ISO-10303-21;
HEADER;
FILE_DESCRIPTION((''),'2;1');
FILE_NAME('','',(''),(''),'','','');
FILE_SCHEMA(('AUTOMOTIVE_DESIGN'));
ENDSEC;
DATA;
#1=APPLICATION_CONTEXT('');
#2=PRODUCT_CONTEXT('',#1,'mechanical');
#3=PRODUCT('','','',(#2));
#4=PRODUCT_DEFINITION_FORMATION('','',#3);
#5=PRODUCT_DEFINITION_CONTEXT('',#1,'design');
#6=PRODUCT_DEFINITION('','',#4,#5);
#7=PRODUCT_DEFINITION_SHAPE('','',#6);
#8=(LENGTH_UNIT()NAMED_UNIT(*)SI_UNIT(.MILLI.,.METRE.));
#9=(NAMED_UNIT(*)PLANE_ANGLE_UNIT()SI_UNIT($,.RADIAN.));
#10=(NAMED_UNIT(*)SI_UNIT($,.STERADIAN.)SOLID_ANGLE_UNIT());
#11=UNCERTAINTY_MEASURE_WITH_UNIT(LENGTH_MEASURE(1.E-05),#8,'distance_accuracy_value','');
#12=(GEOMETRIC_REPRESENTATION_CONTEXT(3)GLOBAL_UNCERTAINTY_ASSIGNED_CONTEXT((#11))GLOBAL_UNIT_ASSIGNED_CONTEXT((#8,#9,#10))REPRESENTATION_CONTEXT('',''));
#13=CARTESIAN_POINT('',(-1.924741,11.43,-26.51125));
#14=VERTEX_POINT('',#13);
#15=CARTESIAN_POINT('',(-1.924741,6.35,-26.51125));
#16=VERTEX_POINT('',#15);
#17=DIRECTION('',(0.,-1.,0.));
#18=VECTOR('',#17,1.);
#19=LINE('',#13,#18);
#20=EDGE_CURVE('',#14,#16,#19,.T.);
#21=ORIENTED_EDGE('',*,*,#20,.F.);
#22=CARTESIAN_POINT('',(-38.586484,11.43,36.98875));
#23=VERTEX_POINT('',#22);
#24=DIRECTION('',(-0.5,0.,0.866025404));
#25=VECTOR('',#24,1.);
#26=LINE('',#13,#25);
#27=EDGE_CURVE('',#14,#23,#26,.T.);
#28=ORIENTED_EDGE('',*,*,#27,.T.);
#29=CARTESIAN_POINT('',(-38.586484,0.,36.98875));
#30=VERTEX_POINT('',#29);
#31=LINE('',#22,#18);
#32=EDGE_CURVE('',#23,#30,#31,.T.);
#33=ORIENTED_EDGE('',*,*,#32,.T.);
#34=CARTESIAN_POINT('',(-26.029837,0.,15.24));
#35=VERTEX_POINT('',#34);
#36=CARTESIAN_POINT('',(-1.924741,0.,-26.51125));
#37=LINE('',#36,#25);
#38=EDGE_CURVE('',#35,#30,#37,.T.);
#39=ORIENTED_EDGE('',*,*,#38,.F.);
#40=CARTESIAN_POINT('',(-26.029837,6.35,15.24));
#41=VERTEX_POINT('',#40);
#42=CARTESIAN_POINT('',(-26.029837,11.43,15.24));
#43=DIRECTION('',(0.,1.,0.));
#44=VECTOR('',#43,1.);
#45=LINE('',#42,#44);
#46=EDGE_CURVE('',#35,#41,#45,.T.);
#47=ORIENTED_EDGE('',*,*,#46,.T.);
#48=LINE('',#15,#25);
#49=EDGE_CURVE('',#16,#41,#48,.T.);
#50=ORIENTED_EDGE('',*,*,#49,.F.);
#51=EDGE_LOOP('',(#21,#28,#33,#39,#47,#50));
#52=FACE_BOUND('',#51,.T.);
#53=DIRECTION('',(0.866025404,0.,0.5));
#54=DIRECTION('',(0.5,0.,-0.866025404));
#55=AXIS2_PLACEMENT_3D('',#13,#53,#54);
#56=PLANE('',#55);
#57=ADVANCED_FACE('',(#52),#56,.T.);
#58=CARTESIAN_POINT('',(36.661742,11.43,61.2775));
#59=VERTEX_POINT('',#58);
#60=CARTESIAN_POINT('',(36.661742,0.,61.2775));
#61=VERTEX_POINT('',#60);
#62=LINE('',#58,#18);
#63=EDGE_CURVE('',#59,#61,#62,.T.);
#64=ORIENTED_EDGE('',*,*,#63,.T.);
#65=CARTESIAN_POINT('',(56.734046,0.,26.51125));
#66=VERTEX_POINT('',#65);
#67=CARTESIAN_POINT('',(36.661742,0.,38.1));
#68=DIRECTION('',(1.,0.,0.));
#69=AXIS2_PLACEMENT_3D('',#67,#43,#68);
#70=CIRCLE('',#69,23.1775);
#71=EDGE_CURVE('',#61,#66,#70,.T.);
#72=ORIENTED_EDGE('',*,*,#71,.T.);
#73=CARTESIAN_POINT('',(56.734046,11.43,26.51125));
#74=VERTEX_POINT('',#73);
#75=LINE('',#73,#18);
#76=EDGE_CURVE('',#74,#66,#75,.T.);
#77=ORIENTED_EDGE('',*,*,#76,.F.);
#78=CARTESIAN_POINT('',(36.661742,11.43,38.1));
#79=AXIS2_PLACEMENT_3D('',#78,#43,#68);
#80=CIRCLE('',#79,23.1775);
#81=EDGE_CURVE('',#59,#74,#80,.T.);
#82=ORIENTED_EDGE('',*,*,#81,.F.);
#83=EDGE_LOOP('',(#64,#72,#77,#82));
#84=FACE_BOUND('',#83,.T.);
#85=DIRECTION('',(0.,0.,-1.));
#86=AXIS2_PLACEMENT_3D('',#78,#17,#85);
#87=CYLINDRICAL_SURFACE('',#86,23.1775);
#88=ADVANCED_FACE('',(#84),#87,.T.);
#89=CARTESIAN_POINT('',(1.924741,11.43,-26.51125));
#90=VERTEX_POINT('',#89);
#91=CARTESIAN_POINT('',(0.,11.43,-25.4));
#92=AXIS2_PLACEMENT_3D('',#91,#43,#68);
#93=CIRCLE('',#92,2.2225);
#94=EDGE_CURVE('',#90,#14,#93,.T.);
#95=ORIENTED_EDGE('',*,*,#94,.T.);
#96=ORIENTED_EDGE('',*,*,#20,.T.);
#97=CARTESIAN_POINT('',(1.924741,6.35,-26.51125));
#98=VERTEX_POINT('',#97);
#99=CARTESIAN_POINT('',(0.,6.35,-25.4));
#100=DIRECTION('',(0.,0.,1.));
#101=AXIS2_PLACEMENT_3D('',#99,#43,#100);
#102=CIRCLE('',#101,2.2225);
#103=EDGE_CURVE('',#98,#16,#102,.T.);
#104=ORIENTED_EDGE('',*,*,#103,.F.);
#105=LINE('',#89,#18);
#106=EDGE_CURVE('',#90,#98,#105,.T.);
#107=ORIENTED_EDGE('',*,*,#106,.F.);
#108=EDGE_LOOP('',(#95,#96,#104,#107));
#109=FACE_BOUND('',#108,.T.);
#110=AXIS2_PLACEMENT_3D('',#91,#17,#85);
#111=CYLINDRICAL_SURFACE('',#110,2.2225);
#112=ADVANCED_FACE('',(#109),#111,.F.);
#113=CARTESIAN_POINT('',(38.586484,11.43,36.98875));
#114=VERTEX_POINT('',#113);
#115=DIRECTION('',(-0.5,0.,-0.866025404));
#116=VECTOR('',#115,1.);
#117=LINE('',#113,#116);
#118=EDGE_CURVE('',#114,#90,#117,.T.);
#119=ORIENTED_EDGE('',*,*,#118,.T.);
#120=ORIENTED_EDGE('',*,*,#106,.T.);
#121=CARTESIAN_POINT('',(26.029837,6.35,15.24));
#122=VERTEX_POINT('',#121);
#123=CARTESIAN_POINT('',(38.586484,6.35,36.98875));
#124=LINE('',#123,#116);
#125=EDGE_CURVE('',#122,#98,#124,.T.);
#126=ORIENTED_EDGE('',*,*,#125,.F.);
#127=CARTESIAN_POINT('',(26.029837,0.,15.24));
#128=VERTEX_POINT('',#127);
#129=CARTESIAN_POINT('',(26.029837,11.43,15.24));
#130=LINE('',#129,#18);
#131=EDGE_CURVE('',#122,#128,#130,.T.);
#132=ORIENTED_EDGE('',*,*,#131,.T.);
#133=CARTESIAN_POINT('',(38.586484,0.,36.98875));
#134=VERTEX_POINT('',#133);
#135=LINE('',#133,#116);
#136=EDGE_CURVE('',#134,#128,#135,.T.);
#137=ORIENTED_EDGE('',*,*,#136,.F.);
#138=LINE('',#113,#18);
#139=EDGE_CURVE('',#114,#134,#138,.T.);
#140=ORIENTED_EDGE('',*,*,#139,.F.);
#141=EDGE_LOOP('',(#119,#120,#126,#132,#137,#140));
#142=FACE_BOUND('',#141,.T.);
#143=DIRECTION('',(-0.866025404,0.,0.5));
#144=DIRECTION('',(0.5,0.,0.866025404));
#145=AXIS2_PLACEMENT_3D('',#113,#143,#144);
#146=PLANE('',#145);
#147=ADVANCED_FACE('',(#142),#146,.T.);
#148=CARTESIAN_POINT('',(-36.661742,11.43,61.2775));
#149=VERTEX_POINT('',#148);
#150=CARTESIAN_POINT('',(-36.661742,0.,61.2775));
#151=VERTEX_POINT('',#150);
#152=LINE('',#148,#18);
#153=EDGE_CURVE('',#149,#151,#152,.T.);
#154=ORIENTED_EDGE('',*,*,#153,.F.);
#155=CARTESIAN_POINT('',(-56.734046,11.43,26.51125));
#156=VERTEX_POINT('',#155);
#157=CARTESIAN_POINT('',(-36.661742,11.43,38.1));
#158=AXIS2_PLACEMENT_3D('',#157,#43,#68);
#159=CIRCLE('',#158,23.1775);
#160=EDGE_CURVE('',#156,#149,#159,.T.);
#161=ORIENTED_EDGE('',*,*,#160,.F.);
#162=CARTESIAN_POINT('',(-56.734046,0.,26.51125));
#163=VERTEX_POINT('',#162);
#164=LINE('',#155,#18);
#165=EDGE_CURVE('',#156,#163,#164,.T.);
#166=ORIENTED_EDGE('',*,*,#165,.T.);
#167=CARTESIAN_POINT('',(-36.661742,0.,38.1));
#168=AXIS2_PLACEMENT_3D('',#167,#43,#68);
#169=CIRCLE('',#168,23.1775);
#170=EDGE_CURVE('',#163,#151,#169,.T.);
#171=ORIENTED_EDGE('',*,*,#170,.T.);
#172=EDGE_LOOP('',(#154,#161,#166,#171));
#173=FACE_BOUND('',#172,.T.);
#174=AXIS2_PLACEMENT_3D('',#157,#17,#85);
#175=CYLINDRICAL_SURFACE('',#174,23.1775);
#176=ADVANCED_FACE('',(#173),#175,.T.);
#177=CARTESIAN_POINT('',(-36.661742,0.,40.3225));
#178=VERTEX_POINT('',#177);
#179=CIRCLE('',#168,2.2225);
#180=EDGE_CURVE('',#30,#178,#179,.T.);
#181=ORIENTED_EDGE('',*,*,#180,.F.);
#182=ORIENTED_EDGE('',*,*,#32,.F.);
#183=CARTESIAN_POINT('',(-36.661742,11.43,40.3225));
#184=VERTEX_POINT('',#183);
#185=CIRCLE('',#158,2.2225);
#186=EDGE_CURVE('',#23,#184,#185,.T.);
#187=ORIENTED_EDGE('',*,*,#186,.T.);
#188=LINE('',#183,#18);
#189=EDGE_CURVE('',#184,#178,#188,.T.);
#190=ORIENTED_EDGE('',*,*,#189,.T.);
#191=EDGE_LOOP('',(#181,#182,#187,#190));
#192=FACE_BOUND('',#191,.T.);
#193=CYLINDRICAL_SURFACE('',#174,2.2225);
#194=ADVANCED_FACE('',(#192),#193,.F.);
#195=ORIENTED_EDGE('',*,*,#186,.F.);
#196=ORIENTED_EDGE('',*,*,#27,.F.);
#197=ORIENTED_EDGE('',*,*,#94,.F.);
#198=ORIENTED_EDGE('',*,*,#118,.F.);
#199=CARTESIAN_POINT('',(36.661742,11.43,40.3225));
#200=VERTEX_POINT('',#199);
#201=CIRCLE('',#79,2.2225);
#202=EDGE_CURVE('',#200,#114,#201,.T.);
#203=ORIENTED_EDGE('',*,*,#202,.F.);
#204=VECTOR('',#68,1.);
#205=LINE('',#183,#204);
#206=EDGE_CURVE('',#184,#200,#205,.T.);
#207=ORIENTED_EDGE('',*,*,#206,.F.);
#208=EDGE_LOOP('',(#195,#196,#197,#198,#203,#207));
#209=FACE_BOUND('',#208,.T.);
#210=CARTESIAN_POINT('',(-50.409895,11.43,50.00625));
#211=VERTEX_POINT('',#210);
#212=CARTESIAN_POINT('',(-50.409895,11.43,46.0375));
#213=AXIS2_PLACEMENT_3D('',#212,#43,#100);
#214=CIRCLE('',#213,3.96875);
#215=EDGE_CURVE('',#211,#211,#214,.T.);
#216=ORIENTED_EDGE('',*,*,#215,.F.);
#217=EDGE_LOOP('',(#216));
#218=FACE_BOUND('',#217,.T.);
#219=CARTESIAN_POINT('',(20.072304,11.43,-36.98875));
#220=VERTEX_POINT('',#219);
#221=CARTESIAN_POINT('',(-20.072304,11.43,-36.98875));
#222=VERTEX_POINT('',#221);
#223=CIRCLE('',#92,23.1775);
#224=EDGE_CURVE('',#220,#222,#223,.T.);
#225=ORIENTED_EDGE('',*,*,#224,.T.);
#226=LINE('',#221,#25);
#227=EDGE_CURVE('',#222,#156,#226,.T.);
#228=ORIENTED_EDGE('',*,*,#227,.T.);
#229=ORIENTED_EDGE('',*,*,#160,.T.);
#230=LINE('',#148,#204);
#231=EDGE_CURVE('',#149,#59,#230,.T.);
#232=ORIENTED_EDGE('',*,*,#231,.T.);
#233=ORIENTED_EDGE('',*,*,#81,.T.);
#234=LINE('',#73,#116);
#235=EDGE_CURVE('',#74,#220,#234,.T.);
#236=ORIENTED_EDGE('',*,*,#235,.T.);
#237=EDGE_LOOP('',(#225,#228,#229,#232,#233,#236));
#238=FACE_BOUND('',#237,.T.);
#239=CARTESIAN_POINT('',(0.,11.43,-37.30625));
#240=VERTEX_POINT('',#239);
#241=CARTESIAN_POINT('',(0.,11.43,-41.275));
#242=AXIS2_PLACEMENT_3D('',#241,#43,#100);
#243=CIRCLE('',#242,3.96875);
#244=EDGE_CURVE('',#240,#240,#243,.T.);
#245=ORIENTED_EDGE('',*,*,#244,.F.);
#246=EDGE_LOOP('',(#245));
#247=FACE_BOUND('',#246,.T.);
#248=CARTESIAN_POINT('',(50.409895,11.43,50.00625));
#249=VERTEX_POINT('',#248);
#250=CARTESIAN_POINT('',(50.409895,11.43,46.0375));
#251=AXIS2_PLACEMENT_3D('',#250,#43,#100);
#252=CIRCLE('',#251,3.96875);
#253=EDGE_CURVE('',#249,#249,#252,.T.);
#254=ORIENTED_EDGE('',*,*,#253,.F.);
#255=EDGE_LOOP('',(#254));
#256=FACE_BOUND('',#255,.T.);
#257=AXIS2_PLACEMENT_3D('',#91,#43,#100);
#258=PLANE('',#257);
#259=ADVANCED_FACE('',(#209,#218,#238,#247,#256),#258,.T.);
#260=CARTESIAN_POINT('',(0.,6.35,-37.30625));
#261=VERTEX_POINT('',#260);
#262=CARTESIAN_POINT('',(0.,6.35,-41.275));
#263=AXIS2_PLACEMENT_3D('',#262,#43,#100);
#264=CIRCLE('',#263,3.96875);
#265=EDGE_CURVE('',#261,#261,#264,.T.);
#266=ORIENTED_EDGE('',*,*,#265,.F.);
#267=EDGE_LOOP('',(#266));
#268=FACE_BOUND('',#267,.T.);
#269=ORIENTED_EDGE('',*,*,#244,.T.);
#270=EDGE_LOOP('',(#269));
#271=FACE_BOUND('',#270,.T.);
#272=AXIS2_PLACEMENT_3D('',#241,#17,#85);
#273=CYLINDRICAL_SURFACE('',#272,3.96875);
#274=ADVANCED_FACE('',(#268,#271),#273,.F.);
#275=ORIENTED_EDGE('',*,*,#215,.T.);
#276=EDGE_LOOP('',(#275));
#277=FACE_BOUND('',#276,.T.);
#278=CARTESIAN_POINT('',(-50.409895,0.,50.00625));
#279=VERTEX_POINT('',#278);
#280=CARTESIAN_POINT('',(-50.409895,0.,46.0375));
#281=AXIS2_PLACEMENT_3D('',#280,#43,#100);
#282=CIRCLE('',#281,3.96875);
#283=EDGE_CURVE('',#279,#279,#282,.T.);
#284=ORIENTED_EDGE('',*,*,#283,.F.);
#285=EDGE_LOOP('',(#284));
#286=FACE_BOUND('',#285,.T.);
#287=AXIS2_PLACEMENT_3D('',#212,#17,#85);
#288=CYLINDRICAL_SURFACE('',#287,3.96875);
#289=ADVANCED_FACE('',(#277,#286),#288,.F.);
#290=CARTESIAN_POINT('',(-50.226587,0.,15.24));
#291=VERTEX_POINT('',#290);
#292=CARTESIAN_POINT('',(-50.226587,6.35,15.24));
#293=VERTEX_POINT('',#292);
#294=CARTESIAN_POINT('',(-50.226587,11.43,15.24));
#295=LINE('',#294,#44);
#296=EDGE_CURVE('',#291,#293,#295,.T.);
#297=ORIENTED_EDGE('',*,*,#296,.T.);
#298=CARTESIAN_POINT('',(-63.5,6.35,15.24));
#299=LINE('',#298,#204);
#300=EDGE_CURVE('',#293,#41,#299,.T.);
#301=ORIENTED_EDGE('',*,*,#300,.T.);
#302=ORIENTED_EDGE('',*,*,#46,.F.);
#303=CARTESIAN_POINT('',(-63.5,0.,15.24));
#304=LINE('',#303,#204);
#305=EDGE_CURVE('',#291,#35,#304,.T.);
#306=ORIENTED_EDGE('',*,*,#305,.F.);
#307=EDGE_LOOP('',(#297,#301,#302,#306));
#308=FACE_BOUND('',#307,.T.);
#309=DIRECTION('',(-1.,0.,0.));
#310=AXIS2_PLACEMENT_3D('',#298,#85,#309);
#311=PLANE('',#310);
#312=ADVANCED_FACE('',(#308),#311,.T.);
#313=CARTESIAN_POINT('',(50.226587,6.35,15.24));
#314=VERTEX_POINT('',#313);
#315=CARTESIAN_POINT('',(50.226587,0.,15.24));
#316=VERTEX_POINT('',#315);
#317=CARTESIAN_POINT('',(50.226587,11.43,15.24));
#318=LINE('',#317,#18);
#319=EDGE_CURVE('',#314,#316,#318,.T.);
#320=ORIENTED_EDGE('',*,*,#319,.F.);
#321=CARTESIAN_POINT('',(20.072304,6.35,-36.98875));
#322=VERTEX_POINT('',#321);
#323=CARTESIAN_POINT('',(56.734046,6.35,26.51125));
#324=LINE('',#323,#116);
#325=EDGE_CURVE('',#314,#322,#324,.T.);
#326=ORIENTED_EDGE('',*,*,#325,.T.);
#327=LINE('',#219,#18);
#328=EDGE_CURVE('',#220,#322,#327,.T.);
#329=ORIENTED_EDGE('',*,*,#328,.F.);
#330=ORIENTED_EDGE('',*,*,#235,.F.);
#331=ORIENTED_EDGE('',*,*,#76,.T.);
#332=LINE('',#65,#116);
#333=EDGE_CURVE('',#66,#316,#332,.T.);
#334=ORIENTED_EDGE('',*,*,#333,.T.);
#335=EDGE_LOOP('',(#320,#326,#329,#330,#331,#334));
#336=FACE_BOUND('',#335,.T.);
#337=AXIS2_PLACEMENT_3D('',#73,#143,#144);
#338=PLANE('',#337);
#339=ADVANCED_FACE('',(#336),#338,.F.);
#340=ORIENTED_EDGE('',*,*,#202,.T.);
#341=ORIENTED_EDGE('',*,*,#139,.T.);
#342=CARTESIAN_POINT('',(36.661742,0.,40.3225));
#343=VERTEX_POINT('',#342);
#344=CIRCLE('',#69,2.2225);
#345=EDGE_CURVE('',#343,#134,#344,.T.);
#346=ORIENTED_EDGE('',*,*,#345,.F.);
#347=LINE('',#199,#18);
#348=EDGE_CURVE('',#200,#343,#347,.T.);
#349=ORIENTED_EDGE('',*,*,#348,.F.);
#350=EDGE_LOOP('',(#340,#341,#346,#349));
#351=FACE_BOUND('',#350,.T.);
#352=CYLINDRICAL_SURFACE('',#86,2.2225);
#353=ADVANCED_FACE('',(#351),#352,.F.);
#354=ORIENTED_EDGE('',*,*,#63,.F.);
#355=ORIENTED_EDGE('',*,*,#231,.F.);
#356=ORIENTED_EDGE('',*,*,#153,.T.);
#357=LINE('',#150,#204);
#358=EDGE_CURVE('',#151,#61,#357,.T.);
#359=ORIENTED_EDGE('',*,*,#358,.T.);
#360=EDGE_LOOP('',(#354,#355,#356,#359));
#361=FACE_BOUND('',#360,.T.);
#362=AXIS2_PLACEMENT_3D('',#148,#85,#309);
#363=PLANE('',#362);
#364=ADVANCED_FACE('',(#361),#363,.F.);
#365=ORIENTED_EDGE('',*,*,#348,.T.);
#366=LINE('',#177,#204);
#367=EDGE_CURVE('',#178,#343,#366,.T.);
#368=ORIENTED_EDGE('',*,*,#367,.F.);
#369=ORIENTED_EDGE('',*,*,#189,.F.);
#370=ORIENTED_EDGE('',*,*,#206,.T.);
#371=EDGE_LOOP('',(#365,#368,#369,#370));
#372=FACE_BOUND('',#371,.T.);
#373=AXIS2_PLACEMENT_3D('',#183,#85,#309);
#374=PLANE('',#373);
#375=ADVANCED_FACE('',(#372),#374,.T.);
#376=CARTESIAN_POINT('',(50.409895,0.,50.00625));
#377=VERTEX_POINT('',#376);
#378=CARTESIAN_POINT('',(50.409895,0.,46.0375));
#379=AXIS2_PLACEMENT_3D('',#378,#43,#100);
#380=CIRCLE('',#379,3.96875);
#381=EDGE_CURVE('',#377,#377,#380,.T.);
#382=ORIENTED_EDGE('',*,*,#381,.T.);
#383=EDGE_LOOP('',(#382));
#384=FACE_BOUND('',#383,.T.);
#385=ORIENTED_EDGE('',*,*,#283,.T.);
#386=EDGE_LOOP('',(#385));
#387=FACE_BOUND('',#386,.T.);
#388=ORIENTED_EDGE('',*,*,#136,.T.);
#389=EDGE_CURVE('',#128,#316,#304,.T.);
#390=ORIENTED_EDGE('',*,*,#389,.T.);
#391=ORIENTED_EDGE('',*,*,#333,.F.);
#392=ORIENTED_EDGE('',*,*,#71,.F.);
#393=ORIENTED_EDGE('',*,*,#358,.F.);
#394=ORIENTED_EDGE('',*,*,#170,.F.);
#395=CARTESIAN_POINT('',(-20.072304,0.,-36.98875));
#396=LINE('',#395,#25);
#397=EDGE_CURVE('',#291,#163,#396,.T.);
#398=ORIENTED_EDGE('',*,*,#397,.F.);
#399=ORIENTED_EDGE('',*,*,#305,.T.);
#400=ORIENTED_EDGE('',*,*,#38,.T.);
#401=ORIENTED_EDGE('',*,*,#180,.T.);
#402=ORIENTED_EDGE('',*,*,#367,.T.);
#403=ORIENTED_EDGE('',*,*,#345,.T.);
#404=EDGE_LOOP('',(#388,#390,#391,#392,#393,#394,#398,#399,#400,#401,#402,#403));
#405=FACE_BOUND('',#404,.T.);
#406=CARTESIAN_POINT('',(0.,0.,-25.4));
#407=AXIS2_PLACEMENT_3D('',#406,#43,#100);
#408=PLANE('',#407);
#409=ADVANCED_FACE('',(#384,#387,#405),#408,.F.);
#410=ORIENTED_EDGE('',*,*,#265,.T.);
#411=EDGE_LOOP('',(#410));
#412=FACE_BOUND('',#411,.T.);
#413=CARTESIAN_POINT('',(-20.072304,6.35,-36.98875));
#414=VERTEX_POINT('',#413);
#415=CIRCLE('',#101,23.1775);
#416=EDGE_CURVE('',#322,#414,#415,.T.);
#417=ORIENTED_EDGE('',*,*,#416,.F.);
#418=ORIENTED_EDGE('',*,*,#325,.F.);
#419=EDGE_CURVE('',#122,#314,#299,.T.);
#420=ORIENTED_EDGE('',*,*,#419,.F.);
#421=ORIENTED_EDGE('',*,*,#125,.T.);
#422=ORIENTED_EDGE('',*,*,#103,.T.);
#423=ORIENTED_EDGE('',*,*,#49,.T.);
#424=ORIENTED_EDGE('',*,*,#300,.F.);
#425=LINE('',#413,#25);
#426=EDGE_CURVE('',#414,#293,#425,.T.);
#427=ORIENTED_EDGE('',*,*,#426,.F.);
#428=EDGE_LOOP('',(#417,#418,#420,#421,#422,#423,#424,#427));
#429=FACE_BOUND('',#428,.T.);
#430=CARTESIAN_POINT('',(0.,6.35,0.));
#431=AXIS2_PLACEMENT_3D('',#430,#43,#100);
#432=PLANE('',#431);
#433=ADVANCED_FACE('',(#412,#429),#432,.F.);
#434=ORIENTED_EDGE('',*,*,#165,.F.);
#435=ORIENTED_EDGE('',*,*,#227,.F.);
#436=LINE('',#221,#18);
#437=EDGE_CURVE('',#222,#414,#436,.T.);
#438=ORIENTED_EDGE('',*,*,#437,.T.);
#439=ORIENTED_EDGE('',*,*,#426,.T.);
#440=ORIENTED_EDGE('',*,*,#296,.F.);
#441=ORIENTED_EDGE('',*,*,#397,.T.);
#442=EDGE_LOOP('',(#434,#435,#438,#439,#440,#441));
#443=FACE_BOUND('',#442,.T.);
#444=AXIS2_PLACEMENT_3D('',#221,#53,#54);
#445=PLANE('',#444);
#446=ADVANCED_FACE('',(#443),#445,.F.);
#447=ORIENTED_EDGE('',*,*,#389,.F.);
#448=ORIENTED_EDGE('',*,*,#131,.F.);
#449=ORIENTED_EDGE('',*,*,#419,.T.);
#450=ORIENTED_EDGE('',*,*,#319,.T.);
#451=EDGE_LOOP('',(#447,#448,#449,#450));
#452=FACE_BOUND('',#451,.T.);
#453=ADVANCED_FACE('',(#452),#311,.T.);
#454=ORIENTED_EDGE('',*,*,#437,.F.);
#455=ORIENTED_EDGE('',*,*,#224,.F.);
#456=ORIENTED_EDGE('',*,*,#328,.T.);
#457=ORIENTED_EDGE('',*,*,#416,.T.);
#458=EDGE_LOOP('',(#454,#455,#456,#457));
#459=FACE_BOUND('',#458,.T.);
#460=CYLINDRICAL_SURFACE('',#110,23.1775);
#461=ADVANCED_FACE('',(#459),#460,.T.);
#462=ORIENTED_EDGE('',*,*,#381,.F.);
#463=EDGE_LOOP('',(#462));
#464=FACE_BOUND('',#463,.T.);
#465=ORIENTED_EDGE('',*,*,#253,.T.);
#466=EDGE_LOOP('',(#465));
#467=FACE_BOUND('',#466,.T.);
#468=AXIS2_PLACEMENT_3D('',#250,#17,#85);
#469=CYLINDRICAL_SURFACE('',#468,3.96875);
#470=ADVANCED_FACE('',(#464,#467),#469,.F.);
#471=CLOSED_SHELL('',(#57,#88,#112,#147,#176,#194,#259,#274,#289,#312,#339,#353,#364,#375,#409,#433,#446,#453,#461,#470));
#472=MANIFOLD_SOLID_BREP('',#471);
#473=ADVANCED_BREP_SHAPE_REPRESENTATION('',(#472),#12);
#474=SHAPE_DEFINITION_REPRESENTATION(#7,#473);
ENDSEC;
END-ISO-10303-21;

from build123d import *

# Parameters (mm, degrees)
EXTRUDE_THIN1_DEPTH = 11.43
SKETCH2_R           = 3.96875
CUT_EXTRUDE1_DEPTH  = 87.407822566
SKETCH3_W           = 127
SKETCH3_H           = 76.2
CUT_EXTRUDE2_DEPTH  = 6.35


with BuildPart() as part:
    # Sketch1 → Extrude-Thin1 (new body)
    with BuildSketch(Plane(origin=(0, 0, 0), x_dir=(1, 0, 0), z_dir=(0, 1, 0))):
        with BuildLine():
            Line((-36.661742094, -61.2775), (36.661742094, -61.2775))
            ThreePointArc((36.661742094, -61.2775), (56.73404589, -49.68875), (56.73404589, -26.51125))
            Line((56.73404589, -26.51125), (20.072303796, 36.98875))
            ThreePointArc((20.072303796, 36.98875), (0, 48.5775), (-20.072303796, 36.98875))
            Line((-20.072303796, 36.98875), (-56.73404589, -26.51125))
            ThreePointArc((-56.73404589, -26.51125), (-56.73404589, -49.68875), (-36.661742094, -61.2775))
        make_face()
        with BuildLine():
            Line((-36.661742094, -40.3225), (36.661742094, -40.3225))
            ThreePointArc((36.661742094, -40.3225), (38.586483553, -39.21125), (38.586483553, -36.98875))
            Line((38.586483553, -36.98875), (1.92474146, 26.51125))
            ThreePointArc((1.92474146, 26.51125), (0, 27.6225), (-1.92474146, 26.51125))
            Line((-1.92474146, 26.51125), (-38.586483553, -36.98875))
            ThreePointArc((-38.586483553, -36.98875), (-38.586483553, -39.21125), (-36.661742094, -40.3225))
        make_face(mode=Mode.SUBTRACT)
    extrude(amount=EXTRUDE_THIN1_DEPTH)

    # Sketch2 → Cut-Extrude1 (cut, through all)
    with BuildSketch(Plane(origin=(0, 0, 0), x_dir=(1, 0, 0), z_dir=(0, 1, 0))):
        with Locations((-50.409895379, -46.0375)):
            Circle(SKETCH2_R)
        with Locations((0, 41.275)):
            Circle(SKETCH2_R)
        with Locations((50.409895379, -46.0375)):
            Circle(SKETCH2_R)
    extrude(amount=CUT_EXTRUDE1_DEPTH, mode=Mode.SUBTRACT)

    # Sketch3 → Cut-Extrude2 (cut)
    with BuildSketch(Plane(origin=(0, 0, 0), x_dir=(1, 0, 0), z_dir=(0, 1, 0))):
        with Locations((0, 22.86)):
            Rectangle(SKETCH3_W, SKETCH3_H)
    extrude(amount=CUT_EXTRUDE2_DEPTH, mode=Mode.SUBTRACT)


solid = part.part
